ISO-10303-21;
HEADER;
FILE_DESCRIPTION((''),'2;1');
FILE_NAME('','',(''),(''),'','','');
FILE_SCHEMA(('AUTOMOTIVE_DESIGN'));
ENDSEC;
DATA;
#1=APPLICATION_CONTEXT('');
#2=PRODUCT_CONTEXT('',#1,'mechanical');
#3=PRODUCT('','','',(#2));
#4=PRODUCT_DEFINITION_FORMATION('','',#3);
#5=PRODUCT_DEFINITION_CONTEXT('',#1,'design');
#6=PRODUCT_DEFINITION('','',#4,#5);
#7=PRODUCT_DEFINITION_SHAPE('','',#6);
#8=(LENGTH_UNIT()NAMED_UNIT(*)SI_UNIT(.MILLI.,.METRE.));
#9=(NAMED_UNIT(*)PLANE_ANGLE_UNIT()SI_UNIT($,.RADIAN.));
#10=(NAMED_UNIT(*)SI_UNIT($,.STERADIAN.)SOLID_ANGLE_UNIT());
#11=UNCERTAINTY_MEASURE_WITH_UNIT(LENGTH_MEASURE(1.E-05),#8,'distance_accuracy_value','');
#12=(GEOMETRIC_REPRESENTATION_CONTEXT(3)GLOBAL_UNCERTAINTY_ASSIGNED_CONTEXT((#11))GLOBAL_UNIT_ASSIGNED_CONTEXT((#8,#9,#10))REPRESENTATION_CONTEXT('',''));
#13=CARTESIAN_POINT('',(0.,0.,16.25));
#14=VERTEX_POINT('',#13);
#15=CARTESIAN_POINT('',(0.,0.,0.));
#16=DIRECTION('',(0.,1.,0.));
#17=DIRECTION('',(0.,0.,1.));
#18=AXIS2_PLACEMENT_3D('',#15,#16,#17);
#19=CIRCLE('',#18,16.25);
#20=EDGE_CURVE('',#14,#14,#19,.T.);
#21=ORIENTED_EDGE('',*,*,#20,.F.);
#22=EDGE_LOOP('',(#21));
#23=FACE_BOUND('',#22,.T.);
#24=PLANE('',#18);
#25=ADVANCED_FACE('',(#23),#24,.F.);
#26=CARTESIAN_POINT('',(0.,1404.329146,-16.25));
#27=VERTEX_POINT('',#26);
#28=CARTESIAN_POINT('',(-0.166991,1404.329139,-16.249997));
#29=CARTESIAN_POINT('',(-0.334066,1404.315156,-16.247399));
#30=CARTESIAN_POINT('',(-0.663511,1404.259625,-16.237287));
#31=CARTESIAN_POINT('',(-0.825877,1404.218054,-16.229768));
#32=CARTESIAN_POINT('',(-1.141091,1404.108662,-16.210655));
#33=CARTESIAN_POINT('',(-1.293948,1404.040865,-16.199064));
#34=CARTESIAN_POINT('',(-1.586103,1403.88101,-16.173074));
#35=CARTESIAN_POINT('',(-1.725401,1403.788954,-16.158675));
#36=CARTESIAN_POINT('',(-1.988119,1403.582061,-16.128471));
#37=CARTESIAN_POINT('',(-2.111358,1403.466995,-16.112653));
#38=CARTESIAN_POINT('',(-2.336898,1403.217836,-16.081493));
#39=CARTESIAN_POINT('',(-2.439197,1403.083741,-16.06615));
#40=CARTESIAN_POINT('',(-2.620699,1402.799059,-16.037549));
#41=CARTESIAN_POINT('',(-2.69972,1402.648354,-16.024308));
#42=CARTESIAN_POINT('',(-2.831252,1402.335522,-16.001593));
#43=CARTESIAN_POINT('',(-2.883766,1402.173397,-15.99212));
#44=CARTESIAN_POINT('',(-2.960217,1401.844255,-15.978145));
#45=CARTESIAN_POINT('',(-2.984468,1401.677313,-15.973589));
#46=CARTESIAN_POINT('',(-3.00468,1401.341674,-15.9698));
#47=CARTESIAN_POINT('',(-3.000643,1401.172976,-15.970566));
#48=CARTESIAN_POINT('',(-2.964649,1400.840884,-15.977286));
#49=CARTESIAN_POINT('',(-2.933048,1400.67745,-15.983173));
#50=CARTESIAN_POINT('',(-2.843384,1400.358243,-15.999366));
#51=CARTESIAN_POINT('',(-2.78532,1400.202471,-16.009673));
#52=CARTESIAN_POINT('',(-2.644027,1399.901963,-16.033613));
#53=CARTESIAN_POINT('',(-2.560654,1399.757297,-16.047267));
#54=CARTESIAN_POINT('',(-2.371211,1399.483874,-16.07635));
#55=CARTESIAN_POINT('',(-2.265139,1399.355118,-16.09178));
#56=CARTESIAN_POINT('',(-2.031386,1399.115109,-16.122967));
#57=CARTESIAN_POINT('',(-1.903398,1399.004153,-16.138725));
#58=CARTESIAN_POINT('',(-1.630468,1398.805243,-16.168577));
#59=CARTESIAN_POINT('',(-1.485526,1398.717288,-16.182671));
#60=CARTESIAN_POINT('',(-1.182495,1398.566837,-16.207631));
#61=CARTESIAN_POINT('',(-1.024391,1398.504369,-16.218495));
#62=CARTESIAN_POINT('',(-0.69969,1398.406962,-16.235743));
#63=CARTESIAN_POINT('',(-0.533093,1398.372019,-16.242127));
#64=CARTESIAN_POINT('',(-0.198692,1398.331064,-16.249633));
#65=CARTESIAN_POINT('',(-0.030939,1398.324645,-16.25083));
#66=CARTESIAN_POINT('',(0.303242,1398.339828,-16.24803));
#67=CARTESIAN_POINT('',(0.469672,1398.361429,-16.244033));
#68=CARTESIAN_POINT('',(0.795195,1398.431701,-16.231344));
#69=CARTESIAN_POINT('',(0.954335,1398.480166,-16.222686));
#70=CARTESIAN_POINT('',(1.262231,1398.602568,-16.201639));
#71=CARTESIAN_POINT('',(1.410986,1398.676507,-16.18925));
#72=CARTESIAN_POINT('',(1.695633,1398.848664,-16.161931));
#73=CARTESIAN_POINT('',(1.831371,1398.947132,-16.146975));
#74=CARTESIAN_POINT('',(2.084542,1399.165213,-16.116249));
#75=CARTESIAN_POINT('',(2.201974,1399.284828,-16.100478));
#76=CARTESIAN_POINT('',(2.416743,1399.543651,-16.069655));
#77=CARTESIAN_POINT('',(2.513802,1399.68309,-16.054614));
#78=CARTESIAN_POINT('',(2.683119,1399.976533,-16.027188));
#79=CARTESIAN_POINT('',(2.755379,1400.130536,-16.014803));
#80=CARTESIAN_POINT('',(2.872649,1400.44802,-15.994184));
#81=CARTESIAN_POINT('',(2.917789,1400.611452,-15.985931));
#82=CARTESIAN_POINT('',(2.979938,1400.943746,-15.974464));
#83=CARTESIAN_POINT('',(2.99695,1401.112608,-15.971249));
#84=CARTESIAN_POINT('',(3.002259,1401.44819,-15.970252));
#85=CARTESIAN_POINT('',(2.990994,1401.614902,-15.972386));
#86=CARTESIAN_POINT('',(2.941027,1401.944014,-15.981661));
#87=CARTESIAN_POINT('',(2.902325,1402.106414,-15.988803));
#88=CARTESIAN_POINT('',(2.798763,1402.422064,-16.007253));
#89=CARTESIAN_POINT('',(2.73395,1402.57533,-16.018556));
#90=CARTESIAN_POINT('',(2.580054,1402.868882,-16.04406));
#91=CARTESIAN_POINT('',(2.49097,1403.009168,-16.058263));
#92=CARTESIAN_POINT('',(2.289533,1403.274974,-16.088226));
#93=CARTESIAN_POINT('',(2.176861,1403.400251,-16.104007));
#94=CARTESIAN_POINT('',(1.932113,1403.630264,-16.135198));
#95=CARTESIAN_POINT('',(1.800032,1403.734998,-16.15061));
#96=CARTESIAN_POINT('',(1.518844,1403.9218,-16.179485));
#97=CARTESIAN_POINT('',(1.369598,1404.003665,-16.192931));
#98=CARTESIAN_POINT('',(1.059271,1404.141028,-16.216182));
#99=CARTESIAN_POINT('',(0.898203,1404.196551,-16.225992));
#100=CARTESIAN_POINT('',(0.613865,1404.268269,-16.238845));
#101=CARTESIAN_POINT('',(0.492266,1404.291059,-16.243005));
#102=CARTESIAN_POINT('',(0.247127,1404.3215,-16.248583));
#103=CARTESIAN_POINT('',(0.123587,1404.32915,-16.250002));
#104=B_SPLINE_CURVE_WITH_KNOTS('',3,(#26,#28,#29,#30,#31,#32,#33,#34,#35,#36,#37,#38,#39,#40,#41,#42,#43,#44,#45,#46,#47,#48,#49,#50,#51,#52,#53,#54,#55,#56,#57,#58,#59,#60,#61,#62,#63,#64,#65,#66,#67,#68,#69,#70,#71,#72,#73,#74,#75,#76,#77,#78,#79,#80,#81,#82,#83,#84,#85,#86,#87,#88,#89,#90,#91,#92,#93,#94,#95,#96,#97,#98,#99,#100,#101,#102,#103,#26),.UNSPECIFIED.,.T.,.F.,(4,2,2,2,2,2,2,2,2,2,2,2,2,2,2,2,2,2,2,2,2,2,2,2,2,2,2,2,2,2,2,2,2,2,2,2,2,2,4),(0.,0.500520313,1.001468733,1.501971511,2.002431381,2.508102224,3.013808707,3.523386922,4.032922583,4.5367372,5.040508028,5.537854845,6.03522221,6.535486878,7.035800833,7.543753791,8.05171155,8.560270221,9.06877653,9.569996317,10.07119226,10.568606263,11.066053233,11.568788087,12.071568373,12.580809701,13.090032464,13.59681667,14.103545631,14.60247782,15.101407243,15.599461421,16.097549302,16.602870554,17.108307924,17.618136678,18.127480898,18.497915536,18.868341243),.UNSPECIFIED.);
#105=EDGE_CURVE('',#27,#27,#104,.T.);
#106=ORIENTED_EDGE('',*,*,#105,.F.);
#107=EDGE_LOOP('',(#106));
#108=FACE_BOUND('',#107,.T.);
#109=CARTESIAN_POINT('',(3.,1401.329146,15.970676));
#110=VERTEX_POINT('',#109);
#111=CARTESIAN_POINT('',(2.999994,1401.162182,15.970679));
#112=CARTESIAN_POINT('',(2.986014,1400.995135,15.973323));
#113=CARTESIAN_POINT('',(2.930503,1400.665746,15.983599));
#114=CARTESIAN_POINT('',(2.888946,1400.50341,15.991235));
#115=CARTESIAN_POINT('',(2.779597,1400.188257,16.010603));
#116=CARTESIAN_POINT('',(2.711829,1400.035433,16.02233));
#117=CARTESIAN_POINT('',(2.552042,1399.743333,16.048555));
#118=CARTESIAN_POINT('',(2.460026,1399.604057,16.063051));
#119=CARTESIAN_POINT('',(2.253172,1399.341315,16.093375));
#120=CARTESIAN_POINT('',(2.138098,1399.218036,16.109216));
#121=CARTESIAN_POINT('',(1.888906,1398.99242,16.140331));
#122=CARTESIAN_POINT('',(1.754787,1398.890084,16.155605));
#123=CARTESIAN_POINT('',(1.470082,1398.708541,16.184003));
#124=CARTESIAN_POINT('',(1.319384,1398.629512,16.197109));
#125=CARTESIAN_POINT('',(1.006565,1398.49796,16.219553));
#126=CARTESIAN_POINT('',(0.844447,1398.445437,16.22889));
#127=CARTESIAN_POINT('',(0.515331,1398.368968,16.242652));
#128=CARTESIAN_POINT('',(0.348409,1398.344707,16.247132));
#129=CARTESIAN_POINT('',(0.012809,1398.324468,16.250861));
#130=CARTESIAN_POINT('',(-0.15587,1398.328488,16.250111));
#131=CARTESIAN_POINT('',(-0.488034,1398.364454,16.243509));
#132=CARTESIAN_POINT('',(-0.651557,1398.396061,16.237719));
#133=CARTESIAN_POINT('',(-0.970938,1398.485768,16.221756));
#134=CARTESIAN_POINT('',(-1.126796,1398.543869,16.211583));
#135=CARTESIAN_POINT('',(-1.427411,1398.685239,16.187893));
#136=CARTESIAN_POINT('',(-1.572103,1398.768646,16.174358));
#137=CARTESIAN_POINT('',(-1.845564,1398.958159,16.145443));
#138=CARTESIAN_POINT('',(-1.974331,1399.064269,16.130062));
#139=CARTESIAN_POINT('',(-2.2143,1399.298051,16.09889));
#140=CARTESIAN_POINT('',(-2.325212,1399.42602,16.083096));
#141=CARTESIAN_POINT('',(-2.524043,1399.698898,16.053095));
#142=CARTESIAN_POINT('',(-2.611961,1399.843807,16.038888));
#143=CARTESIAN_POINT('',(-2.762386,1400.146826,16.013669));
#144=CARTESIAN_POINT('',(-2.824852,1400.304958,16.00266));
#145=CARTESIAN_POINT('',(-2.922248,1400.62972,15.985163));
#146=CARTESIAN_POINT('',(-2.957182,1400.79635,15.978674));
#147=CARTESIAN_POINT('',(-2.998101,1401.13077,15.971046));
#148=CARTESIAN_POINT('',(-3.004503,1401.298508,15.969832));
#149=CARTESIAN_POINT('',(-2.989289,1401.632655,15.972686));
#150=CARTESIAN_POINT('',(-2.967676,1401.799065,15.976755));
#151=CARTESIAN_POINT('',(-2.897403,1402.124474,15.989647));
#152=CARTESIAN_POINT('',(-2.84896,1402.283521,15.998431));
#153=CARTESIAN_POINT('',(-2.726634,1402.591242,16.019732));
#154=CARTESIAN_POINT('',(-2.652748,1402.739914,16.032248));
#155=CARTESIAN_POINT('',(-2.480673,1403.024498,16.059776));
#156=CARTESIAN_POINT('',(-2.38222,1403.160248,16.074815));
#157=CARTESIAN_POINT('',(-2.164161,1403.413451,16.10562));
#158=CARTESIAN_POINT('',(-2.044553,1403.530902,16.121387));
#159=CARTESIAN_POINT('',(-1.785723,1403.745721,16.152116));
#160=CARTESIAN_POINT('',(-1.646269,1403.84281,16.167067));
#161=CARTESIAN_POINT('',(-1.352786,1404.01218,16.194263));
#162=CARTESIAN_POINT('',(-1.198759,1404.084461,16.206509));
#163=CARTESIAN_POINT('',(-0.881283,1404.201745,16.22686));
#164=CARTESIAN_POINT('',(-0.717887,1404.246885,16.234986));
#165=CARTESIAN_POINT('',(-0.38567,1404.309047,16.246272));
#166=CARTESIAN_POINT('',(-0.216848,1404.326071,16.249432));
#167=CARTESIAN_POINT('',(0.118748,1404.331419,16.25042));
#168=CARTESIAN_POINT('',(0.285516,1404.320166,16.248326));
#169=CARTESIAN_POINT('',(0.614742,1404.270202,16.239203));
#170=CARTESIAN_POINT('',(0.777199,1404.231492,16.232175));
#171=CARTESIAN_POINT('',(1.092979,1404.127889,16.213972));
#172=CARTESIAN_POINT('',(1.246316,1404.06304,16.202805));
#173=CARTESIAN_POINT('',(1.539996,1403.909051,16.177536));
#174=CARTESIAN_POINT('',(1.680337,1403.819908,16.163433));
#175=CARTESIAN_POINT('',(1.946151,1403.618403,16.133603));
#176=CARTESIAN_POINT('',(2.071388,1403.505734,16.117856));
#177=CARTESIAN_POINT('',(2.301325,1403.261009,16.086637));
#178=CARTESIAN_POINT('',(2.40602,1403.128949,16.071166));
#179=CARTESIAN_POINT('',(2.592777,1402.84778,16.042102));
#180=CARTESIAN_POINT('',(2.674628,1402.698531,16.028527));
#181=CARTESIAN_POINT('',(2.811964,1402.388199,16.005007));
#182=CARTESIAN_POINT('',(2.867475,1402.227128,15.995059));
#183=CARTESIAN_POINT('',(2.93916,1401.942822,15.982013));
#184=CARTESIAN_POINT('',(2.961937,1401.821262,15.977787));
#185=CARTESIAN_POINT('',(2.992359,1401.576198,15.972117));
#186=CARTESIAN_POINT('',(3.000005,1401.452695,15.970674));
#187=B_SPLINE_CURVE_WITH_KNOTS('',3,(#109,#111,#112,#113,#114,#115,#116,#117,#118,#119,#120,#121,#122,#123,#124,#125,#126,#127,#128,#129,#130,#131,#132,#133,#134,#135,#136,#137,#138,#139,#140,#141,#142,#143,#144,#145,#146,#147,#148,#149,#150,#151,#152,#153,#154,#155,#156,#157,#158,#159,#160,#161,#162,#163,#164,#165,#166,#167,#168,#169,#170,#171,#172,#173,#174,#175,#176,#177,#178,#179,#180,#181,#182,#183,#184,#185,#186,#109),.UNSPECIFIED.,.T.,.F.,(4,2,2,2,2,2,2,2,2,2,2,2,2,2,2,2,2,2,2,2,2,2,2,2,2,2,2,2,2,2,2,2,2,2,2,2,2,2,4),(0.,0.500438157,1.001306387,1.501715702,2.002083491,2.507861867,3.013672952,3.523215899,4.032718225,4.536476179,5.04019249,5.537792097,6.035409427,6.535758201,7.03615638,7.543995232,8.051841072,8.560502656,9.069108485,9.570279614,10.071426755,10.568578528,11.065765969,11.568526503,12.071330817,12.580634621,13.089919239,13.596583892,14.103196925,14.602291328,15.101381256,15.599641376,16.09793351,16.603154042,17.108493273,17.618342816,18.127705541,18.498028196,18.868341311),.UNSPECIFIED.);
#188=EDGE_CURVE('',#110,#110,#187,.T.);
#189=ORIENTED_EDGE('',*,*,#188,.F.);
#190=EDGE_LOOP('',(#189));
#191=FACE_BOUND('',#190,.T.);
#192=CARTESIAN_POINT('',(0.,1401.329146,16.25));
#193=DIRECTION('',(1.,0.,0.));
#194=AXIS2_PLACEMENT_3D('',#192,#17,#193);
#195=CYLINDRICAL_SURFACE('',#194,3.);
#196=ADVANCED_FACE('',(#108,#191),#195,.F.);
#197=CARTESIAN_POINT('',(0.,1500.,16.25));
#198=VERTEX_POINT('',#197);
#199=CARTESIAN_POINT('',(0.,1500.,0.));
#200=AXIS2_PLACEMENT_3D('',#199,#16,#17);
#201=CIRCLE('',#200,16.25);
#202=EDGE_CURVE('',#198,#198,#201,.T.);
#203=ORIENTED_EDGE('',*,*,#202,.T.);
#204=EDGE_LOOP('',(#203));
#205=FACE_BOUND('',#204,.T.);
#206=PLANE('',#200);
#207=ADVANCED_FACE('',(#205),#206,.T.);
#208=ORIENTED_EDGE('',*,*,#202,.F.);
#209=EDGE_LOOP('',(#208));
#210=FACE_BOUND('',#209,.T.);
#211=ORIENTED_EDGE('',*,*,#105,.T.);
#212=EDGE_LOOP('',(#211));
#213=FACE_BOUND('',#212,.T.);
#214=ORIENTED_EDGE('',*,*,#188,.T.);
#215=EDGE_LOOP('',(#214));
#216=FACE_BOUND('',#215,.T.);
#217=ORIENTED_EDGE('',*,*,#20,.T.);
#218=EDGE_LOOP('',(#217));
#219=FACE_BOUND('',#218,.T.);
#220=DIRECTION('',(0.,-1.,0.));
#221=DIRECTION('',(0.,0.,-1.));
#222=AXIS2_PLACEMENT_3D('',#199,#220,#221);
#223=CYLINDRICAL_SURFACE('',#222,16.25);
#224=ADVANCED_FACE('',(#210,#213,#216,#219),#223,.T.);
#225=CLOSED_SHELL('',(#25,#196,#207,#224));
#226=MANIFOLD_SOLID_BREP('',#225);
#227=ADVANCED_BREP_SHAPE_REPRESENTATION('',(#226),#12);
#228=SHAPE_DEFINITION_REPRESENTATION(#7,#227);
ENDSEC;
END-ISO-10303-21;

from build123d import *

# Parameters (mm, degrees)
SKETCH1_R                       = 16.25
BOSS_EXTRUDE1_DEPTH             = 1500
F_6_0MM_CLEARANCE_DOWEL_HOLE1_D = 6


with BuildPart() as part:
    # Sketch1 → Boss-Extrude1 (new body)
    with BuildSketch(Plane(origin=(0, 0, 0), x_dir=(1, 0, 0), z_dir=(0, 1, 0))):
        with Locations(Location((0, 0, 0), (0, 0, 270))):
            Circle(SKETCH1_R)
    extrude(amount=BOSS_EXTRUDE1_DEPTH)

    # Ø6.0mm Clearance Dowel Hole1 (through all)
    with Locations(Plane(origin=(0, 1401.329145641, 16.25), x_dir=(1, 0, 0), z_dir=(0, 0, 1))):
        with Locations((0, 0)):
            Hole(F_6_0MM_CLEARANCE_DOWEL_HOLE1_D / 2)


solid = part.part
